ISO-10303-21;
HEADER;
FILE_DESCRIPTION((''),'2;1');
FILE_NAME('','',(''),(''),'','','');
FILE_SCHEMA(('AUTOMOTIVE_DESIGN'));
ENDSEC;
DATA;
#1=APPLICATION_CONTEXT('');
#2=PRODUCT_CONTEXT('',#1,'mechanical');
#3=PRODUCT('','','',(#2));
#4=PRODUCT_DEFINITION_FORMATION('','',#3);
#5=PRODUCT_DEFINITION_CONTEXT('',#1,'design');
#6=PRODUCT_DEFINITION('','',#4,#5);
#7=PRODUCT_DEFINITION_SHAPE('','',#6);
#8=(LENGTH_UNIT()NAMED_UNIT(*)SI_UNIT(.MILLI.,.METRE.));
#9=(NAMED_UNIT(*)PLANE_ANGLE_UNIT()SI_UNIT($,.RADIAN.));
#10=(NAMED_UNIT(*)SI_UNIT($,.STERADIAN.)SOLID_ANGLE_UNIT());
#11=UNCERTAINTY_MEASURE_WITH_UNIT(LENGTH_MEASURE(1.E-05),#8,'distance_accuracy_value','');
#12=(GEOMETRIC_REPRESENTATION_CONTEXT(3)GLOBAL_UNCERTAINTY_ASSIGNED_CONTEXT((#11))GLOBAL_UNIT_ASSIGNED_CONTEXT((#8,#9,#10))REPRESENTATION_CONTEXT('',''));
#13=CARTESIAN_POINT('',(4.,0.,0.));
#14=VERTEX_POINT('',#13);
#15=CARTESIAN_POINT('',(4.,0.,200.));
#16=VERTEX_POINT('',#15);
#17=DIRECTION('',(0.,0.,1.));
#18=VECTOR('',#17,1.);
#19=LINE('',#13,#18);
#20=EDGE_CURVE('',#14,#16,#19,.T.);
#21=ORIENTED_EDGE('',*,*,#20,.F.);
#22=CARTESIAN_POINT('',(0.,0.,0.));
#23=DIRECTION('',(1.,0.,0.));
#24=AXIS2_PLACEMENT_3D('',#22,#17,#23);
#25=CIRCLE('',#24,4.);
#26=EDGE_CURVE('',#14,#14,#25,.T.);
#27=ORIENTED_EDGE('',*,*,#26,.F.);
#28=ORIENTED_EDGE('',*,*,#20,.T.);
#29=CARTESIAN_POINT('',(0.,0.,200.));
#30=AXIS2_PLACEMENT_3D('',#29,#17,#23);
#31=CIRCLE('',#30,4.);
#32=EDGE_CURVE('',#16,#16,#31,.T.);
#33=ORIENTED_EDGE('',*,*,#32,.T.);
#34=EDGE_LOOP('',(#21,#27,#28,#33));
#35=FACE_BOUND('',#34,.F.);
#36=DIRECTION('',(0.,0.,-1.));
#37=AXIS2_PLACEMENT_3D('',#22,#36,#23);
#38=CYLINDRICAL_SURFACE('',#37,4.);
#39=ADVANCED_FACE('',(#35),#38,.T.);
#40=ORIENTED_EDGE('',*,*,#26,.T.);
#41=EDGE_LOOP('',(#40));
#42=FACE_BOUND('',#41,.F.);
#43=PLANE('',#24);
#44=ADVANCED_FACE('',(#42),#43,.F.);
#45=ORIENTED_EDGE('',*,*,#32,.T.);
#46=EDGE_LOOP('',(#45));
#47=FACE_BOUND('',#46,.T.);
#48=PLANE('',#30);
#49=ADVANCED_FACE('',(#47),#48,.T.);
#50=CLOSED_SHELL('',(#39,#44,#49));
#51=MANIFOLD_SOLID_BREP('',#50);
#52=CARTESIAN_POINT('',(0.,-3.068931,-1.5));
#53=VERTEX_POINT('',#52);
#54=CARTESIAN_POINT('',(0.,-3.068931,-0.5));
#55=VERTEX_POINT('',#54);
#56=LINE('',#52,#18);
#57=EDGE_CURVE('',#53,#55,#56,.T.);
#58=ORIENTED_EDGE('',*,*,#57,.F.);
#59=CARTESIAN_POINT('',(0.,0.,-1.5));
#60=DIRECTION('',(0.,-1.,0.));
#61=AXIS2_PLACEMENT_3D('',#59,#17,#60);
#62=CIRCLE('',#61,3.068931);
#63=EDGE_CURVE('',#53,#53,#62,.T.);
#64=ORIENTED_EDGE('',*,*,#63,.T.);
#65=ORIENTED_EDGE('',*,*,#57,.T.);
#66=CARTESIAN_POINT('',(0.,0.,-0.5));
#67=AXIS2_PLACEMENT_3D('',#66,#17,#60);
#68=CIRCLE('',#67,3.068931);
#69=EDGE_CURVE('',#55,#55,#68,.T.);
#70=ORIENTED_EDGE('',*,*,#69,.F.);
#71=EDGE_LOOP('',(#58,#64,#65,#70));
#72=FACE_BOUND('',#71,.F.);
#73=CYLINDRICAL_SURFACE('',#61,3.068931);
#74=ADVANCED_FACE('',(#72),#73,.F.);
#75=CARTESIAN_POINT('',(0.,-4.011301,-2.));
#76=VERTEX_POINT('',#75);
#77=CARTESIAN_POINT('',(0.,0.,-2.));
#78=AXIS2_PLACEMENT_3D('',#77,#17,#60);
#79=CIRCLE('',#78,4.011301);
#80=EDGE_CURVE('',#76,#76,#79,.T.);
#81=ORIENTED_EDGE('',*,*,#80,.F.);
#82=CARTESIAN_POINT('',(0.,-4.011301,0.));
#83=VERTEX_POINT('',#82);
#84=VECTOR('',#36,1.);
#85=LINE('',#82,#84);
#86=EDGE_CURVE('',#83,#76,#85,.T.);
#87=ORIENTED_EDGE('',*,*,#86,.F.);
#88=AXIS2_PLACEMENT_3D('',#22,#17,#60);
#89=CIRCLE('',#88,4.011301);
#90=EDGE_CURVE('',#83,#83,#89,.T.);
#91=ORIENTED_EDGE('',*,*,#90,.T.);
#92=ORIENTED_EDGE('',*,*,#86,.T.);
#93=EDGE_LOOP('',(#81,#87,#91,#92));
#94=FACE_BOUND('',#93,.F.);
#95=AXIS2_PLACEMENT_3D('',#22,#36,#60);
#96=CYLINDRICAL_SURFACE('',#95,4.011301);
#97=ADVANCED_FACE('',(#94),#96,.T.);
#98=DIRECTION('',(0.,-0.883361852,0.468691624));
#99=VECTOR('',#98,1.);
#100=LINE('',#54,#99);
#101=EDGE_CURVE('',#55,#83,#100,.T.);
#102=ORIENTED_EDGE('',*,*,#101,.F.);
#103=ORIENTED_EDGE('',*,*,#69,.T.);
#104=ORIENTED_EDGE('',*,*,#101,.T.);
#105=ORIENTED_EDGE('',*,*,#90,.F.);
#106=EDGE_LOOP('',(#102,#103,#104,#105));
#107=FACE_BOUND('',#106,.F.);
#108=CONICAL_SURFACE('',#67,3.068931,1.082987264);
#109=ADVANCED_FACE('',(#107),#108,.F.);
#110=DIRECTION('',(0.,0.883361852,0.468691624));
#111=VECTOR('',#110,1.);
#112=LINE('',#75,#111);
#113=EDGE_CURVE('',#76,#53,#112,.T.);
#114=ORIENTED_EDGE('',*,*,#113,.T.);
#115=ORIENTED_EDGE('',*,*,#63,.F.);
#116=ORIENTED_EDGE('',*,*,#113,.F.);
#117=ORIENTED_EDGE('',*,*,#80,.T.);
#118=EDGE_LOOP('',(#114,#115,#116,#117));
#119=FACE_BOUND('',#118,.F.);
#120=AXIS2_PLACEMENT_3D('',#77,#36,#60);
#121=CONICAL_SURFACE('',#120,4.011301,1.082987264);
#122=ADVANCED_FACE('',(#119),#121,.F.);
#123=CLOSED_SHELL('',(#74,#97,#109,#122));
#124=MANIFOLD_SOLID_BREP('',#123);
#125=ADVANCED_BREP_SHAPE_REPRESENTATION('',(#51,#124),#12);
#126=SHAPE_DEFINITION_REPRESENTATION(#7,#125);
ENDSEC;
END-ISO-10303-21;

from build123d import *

# Parameters (mm, degrees)
F0_R     = 4
F1_DEPTH = 200


with BuildPart() as f1:
    # F0 (on Top) → F1 (new body)
    with BuildSketch(Plane.XY):
        Circle(F0_R)
    extrude(amount=F1_DEPTH)


with BuildPart() as f3:
    # F2 (on Right) → F3 (revolve)
    with BuildSketch(Plane.YZ):
        Polygon((-3.068931, -0.5), (-4.011301, 0), (-4.011301, -2), (-3.068931, -1.5), align=None)
    revolve(axis=Axis((0, 0, 0), (0, 0, 1)))


solid = Compound([f1.part, f3.part])
